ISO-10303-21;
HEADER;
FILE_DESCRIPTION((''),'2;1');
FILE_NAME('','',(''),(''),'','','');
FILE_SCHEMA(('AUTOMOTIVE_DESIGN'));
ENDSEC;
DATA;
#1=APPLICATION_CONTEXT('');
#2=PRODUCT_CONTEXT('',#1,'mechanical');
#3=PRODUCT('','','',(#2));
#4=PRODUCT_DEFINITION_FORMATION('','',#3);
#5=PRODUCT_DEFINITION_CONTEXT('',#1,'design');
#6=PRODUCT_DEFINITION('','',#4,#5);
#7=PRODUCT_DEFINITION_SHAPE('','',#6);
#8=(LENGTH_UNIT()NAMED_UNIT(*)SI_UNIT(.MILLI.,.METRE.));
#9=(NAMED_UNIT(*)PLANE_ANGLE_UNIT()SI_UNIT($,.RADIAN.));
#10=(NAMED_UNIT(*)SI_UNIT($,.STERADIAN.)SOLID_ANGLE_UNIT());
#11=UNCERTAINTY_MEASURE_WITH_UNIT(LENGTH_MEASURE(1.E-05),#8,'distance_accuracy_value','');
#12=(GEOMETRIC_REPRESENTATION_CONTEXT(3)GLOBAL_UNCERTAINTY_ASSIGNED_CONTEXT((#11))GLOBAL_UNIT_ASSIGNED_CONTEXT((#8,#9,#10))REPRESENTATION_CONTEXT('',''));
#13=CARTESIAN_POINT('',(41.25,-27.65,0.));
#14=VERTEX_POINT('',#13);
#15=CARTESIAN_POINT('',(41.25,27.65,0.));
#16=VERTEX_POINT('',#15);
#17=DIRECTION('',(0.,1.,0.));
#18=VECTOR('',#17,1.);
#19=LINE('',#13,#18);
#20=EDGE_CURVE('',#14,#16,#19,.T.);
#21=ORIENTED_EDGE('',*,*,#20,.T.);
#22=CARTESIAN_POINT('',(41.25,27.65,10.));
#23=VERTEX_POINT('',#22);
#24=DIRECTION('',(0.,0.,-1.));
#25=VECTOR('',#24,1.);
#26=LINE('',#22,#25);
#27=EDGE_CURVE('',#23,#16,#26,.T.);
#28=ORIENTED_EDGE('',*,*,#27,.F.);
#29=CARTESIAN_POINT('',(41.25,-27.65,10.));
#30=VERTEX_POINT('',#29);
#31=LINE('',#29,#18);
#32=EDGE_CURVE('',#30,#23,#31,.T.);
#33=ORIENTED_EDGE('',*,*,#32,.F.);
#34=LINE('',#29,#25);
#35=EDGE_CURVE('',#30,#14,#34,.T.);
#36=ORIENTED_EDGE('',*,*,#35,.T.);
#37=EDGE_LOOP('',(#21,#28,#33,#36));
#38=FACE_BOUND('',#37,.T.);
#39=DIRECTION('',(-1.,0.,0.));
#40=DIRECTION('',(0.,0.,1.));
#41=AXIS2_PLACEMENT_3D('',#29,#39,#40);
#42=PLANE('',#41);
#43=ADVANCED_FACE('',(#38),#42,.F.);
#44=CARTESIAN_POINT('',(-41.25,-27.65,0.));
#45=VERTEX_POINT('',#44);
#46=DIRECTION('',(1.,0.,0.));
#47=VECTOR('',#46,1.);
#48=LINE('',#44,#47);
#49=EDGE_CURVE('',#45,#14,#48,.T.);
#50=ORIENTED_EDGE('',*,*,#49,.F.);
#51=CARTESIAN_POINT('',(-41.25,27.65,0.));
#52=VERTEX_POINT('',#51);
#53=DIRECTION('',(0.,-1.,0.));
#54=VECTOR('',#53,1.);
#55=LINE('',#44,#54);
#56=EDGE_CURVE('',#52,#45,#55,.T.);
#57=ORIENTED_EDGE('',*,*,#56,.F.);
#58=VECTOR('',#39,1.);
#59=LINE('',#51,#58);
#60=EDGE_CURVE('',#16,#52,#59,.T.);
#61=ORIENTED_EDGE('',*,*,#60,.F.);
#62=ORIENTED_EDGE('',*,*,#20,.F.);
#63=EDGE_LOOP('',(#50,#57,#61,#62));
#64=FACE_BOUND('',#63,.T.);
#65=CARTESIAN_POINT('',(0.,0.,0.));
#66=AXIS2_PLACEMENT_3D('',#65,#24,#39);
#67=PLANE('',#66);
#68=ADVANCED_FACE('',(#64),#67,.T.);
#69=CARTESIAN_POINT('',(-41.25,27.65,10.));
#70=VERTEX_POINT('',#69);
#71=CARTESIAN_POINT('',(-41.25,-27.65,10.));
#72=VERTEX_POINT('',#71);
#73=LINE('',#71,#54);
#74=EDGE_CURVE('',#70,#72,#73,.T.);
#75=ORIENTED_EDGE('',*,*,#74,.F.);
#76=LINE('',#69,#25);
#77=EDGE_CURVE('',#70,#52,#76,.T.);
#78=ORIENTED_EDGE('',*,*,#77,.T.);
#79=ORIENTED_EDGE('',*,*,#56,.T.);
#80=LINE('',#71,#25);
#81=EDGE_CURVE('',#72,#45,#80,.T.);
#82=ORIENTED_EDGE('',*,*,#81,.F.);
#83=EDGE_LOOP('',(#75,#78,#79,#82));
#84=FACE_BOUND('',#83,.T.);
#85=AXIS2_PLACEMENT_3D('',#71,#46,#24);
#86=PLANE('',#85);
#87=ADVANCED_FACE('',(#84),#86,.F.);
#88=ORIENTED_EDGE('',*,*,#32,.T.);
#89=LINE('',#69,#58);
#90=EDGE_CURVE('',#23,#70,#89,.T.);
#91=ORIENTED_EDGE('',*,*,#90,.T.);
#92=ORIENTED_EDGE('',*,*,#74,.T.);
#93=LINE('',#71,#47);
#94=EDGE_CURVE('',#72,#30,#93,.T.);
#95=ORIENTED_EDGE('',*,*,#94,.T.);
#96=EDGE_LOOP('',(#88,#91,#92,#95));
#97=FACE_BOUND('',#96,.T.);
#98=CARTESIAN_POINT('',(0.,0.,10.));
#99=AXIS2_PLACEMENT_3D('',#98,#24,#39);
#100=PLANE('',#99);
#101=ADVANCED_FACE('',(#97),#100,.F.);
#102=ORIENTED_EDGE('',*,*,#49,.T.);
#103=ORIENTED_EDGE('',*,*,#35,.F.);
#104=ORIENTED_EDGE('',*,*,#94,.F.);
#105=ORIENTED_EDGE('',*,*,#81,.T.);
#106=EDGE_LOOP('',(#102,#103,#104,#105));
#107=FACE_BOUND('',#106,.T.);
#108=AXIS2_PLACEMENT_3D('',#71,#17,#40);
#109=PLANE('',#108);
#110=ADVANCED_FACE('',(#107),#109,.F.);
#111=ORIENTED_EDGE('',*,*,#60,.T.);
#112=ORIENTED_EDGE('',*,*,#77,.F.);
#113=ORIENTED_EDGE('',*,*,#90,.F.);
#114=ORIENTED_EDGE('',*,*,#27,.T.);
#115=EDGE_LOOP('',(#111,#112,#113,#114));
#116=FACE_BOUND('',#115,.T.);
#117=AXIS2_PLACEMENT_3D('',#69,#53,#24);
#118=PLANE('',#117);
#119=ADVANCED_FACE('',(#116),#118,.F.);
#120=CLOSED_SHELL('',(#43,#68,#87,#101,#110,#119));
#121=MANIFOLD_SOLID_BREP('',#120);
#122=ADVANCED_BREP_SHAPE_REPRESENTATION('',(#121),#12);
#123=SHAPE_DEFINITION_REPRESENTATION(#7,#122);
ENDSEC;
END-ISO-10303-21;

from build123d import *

# Parameters (mm, degrees)
ESQUISSE1_W        = 82.5
ESQUISSE1_H        = 55.3
BOSS_EXTRU_1_DEPTH = 10


with BuildPart() as part:
    # Esquisse1 → Boss.-Extru.1 (new body)
    with BuildSketch(Plane.XY):
        Rectangle(ESQUISSE1_W, ESQUISSE1_H)
    extrude(amount=BOSS_EXTRU_1_DEPTH)


solid = part.part
